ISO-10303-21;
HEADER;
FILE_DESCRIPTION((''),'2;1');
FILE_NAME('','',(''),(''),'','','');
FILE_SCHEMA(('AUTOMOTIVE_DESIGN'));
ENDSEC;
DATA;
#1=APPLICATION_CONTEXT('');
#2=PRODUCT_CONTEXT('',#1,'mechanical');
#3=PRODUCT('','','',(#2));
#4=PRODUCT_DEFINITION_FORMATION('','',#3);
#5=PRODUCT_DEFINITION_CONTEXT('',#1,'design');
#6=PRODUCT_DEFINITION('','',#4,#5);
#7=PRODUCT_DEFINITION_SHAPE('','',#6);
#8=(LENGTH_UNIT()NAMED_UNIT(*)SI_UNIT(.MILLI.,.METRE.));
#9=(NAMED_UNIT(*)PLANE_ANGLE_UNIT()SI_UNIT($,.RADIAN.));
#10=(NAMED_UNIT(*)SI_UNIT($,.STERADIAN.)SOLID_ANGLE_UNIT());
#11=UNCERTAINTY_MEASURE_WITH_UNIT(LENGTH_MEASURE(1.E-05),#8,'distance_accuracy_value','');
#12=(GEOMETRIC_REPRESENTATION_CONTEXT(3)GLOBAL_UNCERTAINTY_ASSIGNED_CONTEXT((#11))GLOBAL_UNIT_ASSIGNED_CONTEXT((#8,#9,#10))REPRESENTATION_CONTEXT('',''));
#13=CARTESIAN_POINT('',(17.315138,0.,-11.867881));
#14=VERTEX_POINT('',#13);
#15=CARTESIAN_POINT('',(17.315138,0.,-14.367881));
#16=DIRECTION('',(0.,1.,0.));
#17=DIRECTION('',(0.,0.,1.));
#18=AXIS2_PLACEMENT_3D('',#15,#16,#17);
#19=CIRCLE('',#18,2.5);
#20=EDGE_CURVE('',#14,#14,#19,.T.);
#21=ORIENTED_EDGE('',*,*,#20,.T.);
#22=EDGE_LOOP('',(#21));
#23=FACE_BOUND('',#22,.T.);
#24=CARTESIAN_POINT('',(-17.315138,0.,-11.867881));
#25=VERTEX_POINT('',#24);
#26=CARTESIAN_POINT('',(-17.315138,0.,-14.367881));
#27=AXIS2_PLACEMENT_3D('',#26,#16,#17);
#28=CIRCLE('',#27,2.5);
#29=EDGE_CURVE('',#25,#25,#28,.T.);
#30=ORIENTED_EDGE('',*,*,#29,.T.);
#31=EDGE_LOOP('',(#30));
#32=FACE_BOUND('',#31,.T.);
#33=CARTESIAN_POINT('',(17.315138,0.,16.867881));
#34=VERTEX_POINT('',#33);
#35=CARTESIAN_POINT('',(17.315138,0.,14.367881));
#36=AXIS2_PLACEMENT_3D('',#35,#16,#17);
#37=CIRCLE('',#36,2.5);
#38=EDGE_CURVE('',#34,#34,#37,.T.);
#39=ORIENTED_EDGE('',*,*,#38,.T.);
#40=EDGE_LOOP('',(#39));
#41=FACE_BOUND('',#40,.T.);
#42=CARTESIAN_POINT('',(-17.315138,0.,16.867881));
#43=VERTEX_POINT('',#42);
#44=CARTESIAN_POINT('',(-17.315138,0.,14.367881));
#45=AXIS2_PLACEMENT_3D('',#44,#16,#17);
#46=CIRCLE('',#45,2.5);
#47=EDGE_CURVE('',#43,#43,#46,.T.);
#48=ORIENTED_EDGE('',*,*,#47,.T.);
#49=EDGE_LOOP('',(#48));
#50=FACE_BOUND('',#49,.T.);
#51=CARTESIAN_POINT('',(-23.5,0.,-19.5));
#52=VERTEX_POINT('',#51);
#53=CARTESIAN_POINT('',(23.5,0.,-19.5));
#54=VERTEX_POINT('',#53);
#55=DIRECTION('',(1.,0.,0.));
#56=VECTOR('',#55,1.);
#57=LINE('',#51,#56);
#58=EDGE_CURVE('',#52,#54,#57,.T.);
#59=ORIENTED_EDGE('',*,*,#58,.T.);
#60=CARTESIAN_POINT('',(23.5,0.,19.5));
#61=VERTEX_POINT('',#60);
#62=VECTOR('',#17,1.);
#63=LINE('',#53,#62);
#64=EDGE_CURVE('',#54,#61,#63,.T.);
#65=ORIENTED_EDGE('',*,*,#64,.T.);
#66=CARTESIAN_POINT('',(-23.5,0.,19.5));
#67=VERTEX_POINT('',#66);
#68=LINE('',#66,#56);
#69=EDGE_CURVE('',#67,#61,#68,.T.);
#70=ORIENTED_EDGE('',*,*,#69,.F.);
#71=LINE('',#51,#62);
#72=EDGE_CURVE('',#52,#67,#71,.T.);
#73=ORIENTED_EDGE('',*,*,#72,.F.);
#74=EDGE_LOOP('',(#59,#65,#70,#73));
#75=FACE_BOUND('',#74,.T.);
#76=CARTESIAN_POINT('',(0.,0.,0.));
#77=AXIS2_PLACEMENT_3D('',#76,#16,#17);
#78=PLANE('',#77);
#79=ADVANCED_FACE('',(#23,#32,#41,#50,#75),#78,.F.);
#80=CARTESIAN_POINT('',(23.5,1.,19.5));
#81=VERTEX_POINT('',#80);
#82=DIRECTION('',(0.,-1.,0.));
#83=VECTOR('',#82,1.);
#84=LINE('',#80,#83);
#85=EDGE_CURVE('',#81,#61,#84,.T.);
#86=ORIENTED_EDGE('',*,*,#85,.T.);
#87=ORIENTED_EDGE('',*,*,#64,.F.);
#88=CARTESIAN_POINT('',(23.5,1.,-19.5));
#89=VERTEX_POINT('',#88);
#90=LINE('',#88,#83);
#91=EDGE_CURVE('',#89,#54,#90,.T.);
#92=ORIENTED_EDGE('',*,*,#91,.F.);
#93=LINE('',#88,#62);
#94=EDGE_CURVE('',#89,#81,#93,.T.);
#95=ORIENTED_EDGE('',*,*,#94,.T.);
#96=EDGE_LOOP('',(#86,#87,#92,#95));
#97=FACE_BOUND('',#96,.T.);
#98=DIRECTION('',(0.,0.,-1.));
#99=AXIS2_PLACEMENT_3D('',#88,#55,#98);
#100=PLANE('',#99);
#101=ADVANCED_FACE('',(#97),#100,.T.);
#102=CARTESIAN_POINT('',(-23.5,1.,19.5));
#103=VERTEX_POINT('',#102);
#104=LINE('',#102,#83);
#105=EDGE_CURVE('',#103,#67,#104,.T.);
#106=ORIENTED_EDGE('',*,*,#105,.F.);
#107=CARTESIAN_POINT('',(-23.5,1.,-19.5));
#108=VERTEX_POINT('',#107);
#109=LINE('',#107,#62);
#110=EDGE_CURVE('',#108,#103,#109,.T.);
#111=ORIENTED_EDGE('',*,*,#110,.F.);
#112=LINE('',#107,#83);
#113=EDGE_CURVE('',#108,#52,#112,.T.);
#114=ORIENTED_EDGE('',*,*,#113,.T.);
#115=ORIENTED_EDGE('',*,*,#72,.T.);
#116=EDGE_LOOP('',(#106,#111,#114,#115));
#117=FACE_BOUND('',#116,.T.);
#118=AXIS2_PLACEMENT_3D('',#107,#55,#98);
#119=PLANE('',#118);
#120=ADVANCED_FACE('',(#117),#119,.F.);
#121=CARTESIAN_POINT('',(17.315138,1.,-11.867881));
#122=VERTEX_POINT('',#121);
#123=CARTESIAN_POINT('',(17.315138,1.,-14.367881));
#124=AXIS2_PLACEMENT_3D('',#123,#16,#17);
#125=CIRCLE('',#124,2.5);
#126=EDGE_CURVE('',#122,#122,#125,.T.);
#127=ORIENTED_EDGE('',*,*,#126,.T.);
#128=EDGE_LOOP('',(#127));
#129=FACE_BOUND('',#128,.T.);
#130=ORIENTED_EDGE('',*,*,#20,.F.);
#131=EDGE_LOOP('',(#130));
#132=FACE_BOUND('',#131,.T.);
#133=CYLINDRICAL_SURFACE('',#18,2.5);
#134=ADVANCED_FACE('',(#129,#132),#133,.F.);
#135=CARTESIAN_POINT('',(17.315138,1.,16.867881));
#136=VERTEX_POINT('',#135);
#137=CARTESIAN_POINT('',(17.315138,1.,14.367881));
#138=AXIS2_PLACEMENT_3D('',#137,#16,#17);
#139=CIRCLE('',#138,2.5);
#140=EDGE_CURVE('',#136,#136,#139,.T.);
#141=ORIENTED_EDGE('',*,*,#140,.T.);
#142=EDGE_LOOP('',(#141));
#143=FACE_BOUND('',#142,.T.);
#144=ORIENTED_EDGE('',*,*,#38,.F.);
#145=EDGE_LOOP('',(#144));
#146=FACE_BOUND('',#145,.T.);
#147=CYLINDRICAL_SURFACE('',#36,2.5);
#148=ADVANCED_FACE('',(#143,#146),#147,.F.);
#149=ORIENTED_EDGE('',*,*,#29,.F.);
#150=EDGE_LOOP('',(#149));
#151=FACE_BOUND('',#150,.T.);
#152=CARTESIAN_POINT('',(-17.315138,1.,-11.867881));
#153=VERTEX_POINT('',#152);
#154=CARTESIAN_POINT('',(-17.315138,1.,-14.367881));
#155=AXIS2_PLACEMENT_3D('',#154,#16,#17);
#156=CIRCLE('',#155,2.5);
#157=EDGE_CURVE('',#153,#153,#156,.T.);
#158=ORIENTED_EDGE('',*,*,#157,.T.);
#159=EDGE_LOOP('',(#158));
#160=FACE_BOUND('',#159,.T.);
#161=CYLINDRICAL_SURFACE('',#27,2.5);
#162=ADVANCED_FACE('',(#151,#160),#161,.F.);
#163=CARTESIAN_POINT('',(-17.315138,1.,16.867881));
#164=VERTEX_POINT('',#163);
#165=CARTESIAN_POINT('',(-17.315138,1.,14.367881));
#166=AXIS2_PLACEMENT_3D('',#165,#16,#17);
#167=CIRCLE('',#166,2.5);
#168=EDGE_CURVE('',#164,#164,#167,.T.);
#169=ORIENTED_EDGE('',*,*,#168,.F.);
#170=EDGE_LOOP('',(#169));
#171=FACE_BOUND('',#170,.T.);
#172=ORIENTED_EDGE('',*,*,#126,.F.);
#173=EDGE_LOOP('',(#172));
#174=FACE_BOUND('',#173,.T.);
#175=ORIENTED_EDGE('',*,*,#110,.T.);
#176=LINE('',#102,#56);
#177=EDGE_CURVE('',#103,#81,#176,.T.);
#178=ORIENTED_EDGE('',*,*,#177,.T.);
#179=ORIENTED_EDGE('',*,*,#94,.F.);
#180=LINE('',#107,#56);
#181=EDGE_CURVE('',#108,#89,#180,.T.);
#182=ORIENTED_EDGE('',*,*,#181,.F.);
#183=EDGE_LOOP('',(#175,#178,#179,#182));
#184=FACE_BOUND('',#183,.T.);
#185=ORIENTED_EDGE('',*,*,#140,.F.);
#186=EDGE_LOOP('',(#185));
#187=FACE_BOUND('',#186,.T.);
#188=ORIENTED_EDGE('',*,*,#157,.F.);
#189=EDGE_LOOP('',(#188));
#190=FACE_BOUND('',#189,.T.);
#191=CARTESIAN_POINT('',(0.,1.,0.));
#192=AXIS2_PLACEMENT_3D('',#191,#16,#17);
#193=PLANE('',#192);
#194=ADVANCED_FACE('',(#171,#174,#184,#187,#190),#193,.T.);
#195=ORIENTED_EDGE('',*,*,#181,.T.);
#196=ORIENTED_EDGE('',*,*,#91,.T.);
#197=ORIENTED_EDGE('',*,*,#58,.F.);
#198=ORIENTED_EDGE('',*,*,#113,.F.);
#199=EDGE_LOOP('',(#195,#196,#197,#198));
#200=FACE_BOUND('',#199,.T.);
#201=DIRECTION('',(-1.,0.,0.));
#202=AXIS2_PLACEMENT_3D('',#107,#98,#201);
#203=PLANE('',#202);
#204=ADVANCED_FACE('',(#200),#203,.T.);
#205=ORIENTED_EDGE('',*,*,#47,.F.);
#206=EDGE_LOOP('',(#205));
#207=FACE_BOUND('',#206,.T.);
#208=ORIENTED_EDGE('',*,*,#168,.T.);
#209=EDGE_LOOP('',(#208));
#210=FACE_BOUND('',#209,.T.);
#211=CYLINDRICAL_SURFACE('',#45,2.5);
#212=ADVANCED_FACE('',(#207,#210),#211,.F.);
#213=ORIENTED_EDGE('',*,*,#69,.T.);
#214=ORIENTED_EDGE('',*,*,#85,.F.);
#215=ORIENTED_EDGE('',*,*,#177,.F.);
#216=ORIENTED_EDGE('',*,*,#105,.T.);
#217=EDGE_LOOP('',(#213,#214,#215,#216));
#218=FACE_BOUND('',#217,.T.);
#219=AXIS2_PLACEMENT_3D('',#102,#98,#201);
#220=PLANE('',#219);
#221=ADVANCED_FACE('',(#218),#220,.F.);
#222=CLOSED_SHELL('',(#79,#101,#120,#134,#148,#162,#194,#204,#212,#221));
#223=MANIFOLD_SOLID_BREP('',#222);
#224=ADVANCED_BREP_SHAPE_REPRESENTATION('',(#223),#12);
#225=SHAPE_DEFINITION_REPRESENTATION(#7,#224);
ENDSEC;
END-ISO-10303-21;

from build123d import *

# Parameters (mm, degrees)
SKETCH1_W           = 47
SKETCH1_H           = 39
BOSS_EXTRUDE1_DEPTH = 1
SKETCH2_R           = 2.5
CUT_EXTRUDE1_DEPTH  = 31.553232235


with BuildPart() as part:
    # Sketch1 → Boss-Extrude1 (new body)
    with BuildSketch(Plane(origin=(0, 0, 0), x_dir=(1, 0, 0), z_dir=(0, 1, 0))):
        Rectangle(SKETCH1_W, SKETCH1_H)
    extrude(amount=BOSS_EXTRUDE1_DEPTH)

    # Sketch2 → Cut-Extrude1 (cut, through all)
    with BuildSketch(Plane(origin=(0, 1, 0), x_dir=(1, 0, 0), z_dir=(0, 1, 0))):
        with Locations(Location((-17.315138118, 14.367880566, 0), (0, 0, 270))):
            Circle(SKETCH2_R)
        with Locations(Location((17.315138118, -14.367880566, 0), (0, 0, 270))):
            Circle(SKETCH2_R)
        with Locations(Location((17.315138118, 14.367880566, 0), (0, 0, 270))):
            Circle(SKETCH2_R)
        with Locations(Location((-17.315138118, -14.367880566, 0), (0, 0, 270))):
            Circle(SKETCH2_R)
    extrude(amount=-CUT_EXTRUDE1_DEPTH, mode=Mode.SUBTRACT)


solid = part.part
